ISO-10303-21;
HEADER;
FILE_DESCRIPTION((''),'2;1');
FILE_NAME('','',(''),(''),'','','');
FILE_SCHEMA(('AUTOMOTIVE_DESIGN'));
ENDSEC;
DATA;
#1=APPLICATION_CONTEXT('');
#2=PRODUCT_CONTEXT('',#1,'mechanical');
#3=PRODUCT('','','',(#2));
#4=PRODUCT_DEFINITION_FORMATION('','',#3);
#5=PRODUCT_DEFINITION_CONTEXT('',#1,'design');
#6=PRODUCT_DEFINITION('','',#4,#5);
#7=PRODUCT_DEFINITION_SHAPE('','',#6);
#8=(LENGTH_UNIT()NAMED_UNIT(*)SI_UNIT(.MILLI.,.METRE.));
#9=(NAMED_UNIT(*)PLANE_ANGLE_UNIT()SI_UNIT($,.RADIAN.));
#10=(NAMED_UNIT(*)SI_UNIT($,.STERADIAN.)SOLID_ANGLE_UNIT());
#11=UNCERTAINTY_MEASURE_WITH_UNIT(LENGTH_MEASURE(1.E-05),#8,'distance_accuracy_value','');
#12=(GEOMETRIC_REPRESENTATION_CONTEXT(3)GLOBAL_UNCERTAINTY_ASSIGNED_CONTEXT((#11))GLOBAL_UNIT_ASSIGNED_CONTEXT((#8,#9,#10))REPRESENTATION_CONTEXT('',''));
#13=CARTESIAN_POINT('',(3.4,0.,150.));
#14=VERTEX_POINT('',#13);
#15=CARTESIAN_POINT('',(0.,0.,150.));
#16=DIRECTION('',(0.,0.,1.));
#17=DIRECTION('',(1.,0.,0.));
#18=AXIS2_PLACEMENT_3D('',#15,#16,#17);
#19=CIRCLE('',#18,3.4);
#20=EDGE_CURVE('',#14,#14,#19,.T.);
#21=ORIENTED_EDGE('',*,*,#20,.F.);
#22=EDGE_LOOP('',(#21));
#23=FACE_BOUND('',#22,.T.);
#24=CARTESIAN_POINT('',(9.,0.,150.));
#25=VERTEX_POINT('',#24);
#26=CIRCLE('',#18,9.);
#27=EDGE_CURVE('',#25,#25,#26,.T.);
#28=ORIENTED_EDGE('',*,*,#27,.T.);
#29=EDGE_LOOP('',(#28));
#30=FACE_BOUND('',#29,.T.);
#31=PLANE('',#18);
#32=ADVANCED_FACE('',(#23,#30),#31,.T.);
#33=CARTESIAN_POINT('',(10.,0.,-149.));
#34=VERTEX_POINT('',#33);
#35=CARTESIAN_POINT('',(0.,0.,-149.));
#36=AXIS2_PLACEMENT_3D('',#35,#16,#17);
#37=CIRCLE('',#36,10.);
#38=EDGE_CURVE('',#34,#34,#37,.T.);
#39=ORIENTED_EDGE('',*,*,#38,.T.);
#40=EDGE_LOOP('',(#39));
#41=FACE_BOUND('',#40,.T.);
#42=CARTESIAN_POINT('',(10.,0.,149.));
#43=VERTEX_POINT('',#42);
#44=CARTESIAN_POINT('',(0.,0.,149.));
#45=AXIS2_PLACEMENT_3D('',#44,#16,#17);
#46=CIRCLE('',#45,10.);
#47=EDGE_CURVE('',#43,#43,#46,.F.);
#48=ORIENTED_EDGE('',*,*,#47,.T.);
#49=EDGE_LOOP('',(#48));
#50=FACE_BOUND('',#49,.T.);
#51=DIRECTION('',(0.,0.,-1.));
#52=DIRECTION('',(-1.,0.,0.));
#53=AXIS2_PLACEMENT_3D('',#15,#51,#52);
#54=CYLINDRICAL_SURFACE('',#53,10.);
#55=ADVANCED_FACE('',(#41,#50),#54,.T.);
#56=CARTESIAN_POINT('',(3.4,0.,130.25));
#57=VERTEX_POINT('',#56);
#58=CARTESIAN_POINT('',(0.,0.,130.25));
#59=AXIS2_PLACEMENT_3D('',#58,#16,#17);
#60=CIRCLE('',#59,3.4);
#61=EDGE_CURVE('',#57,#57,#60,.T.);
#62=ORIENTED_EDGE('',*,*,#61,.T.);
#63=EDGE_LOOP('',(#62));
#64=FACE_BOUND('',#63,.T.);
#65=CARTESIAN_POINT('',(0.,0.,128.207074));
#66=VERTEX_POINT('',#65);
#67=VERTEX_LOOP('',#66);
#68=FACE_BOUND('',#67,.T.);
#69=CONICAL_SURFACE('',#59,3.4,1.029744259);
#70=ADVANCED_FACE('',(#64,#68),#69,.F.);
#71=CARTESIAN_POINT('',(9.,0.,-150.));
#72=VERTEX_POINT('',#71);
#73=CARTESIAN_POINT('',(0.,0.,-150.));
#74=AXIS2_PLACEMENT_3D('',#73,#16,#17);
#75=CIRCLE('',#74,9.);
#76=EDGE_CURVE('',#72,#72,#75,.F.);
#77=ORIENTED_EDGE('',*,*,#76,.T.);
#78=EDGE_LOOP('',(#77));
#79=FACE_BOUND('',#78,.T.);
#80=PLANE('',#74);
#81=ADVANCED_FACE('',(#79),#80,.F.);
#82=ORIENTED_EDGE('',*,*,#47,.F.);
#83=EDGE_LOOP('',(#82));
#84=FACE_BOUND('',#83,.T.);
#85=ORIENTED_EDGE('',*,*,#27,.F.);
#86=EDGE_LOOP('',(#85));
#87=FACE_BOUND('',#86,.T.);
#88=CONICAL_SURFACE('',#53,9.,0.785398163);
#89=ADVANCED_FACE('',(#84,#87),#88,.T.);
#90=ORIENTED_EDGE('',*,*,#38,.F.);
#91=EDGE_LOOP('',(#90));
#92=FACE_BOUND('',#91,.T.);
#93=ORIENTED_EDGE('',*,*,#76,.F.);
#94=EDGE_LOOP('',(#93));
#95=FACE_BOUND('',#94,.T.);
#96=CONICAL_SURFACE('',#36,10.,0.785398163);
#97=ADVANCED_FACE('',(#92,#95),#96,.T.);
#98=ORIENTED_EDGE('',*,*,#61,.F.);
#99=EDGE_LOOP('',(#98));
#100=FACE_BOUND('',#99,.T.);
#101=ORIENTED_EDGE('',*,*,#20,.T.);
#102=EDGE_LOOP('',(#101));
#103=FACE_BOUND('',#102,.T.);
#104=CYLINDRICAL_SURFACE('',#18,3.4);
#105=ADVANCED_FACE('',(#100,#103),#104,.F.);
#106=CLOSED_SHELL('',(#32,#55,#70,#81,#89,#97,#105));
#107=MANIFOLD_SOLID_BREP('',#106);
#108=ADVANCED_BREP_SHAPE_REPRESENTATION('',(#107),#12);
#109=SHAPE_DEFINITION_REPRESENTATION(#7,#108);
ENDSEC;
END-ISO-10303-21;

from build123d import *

# Parameters (mm, degrees)
SKETCH1_R             = 10
BOSS_EXTRUDE1_DEPTH   = 150
M8_TAPPED_HOLE1_D     = 6.8
M8_TAPPED_HOLE1_DEPTH = 19.75
M8_TAPPED_HOLE1_TIP   = 2.042926105
CHAMFER1_SIZE         = 1


with BuildPart() as part:
    # Sketch1 → Boss-Extrude1 (new body, symmetric)
    with BuildSketch(Plane.XY):
        Circle(SKETCH1_R)
    extrude(amount=BOSS_EXTRUDE1_DEPTH, both=True)

    # M8 Tapped Hole1
    with Locations(Plane.XY.offset(150)):
        with Locations((0, 0)):
            Hole(M8_TAPPED_HOLE1_D / 2, depth=M8_TAPPED_HOLE1_DEPTH)
            with Locations((0, 0, -(M8_TAPPED_HOLE1_DEPTH + M8_TAPPED_HOLE1_TIP / 2))):  # 118° drill point
                Cone(0, M8_TAPPED_HOLE1_D / 2, M8_TAPPED_HOLE1_TIP, mode=Mode.SUBTRACT)

    # Chamfer1
    chamfer1_edges = [part.edges().sort_by_distance(p)[0] for p in [
        (-10, 0, -150),
        (-10, 0, 150),
    ]]
    chamfer(chamfer1_edges, length=CHAMFER1_SIZE)


solid = part.part
